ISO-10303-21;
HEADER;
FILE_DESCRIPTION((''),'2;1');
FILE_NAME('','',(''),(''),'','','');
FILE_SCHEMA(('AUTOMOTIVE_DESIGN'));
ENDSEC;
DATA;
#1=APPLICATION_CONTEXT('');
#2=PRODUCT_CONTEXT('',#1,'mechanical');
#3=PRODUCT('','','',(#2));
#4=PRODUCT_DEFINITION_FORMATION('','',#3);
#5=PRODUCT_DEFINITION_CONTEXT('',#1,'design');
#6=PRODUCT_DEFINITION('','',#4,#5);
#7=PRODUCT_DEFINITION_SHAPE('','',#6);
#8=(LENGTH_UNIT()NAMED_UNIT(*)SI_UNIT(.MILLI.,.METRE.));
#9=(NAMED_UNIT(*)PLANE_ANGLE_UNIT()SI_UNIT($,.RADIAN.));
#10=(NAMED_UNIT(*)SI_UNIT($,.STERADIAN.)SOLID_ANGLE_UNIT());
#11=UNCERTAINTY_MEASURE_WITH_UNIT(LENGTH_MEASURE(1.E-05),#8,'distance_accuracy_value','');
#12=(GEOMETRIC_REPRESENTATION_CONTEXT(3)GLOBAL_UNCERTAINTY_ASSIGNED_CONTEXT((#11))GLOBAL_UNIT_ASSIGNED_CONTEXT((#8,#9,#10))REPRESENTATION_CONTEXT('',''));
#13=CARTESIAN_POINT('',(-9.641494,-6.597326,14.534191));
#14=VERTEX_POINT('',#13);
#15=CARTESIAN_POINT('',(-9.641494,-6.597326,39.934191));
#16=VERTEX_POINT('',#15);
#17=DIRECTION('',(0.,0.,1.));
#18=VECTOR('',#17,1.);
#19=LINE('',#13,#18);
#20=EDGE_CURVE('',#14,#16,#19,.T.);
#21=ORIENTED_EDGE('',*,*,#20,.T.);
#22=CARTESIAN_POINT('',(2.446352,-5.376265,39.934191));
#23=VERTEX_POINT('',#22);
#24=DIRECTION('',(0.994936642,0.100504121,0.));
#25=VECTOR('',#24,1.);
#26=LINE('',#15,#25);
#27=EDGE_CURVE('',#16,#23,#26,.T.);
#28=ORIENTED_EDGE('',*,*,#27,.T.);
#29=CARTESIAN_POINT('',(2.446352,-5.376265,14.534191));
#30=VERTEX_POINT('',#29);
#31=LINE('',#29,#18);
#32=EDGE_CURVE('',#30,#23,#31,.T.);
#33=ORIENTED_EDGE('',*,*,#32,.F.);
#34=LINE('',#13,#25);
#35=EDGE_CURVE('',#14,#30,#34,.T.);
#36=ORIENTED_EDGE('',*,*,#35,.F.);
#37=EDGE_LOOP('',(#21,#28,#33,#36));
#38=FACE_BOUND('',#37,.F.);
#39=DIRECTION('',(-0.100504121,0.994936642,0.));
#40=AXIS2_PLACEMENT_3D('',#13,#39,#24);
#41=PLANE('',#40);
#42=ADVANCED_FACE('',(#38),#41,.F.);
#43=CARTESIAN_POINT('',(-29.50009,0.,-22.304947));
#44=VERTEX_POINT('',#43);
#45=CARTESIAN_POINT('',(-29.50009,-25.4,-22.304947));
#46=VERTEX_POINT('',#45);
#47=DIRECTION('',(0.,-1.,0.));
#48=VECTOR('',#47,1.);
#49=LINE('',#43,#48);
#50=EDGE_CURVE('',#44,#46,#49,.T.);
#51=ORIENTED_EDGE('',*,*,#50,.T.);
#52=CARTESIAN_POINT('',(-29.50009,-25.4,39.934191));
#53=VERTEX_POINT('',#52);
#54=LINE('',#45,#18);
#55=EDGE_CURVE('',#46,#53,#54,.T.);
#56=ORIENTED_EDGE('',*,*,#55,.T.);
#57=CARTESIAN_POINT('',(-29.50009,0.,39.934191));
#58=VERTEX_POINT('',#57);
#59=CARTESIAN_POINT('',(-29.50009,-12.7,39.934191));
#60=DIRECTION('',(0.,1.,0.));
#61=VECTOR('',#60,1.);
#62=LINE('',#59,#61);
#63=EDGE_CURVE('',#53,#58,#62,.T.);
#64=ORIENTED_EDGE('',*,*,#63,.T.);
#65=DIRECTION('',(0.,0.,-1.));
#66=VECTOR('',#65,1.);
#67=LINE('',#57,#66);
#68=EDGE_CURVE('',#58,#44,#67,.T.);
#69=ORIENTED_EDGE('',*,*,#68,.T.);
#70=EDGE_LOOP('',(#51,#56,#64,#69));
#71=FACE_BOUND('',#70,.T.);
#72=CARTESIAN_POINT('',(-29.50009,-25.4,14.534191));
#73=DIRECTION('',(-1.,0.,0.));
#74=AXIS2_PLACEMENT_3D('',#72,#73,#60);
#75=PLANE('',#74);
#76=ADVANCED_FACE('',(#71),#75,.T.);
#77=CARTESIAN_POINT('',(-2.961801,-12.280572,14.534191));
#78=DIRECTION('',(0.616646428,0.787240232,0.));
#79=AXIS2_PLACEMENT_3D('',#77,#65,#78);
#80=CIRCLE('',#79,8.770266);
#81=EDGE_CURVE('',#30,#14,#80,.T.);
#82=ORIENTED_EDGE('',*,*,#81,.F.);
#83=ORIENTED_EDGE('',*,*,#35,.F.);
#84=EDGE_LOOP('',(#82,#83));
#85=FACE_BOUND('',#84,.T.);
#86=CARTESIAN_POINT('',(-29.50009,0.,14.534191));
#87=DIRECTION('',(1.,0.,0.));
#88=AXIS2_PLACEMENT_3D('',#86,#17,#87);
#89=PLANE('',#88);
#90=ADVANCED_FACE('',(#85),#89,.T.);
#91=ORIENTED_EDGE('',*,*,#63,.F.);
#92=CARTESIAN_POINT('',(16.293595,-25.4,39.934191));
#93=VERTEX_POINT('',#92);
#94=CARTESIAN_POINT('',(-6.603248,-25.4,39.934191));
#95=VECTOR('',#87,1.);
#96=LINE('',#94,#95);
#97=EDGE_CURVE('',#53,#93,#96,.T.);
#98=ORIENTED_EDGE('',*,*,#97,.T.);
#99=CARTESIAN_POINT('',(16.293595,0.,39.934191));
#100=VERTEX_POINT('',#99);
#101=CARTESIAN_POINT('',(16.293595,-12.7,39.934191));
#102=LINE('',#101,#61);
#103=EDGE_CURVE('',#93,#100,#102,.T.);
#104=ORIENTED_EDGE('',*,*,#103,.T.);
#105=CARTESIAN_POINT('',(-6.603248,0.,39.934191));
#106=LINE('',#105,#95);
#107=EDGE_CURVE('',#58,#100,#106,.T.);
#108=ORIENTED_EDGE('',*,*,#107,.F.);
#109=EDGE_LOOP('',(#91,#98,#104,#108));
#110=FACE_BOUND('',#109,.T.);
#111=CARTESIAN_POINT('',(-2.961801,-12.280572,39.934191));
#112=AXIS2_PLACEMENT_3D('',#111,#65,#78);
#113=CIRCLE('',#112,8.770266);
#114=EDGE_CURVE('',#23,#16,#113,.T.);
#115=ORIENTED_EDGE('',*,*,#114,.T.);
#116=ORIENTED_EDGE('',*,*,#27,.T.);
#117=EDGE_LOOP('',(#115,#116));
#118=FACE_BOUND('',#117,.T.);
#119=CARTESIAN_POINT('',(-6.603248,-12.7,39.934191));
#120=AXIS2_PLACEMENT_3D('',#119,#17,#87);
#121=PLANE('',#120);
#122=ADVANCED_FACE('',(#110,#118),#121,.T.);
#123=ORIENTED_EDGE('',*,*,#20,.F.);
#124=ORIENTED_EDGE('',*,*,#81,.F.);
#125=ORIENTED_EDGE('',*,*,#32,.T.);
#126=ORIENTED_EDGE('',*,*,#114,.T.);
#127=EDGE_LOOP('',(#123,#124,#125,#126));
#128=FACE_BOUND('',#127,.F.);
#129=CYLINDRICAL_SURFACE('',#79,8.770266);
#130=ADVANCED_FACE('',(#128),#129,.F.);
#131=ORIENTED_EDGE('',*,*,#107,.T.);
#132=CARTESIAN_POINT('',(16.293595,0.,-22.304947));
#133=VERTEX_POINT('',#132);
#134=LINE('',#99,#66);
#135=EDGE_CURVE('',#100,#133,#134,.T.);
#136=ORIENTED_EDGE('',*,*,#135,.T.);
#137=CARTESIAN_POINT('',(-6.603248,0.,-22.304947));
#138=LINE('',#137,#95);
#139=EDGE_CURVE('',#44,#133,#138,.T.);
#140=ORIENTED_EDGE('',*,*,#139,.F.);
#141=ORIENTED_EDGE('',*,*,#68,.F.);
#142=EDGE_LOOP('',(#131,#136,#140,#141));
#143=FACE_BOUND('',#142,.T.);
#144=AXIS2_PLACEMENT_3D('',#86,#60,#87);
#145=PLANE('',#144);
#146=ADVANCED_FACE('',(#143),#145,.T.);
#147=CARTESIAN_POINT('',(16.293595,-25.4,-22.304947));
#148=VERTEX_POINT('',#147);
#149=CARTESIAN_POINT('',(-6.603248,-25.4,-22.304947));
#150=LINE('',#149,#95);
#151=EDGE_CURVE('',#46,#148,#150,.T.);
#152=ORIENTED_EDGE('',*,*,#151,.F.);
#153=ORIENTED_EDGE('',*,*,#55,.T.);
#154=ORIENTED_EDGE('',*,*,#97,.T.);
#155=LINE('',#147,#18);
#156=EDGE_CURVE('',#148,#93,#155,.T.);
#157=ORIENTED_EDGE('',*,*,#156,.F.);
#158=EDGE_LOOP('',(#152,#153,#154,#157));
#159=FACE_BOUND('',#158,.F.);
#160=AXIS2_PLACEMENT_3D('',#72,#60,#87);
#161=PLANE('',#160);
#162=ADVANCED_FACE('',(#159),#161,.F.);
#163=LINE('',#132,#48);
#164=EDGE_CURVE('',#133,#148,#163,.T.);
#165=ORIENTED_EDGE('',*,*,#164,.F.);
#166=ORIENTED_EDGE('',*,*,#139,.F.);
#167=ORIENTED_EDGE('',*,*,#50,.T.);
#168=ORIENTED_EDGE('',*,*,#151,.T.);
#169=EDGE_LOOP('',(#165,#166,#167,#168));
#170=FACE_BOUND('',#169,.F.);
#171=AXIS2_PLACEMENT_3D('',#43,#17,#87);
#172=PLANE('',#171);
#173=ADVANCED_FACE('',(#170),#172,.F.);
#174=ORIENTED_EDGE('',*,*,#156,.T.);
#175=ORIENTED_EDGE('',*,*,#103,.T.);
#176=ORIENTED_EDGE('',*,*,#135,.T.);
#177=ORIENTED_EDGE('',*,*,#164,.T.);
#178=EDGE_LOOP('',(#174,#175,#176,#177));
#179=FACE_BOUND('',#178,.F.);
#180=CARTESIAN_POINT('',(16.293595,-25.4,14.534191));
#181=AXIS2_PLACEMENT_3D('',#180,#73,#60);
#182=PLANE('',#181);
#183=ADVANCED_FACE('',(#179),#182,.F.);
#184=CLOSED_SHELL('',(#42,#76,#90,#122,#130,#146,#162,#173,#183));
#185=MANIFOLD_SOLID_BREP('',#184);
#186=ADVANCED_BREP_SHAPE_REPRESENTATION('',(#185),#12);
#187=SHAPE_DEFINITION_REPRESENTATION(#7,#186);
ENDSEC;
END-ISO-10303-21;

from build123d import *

# Parameters (mm, degrees)
F0_W     = 45.793685
F0_H     = 36.839138
F1_DEPTH = 25.4
F2_W     = 45.793685
F2_H     = 25.4
F3_DEPTH = 25.4


with BuildPart() as f1:
    # F0 (on Front) → F1 (new body)
    with BuildSketch(Plane.XZ):
        with Locations((-6.603248, -3.885378)):
            Rectangle(F0_W, F0_H)
    extrude(amount=F1_DEPTH)

    # F2 (on face) → F3 (join)
    with BuildSketch(Plane.XY.offset(14.534191)):
        with Locations((-6.603248, -12.7)):
            Rectangle(F2_W, F2_H)
        with BuildLine():
            ThreePointArc((2.446352, -5.376265), (-2.080354, -21.006431), (-9.641494, -6.597326))
            Line((-9.641494, -6.597326), (2.446352, -5.376265))
        make_face(mode=Mode.SUBTRACT)
    extrude(amount=F3_DEPTH)


solid = f1.part
